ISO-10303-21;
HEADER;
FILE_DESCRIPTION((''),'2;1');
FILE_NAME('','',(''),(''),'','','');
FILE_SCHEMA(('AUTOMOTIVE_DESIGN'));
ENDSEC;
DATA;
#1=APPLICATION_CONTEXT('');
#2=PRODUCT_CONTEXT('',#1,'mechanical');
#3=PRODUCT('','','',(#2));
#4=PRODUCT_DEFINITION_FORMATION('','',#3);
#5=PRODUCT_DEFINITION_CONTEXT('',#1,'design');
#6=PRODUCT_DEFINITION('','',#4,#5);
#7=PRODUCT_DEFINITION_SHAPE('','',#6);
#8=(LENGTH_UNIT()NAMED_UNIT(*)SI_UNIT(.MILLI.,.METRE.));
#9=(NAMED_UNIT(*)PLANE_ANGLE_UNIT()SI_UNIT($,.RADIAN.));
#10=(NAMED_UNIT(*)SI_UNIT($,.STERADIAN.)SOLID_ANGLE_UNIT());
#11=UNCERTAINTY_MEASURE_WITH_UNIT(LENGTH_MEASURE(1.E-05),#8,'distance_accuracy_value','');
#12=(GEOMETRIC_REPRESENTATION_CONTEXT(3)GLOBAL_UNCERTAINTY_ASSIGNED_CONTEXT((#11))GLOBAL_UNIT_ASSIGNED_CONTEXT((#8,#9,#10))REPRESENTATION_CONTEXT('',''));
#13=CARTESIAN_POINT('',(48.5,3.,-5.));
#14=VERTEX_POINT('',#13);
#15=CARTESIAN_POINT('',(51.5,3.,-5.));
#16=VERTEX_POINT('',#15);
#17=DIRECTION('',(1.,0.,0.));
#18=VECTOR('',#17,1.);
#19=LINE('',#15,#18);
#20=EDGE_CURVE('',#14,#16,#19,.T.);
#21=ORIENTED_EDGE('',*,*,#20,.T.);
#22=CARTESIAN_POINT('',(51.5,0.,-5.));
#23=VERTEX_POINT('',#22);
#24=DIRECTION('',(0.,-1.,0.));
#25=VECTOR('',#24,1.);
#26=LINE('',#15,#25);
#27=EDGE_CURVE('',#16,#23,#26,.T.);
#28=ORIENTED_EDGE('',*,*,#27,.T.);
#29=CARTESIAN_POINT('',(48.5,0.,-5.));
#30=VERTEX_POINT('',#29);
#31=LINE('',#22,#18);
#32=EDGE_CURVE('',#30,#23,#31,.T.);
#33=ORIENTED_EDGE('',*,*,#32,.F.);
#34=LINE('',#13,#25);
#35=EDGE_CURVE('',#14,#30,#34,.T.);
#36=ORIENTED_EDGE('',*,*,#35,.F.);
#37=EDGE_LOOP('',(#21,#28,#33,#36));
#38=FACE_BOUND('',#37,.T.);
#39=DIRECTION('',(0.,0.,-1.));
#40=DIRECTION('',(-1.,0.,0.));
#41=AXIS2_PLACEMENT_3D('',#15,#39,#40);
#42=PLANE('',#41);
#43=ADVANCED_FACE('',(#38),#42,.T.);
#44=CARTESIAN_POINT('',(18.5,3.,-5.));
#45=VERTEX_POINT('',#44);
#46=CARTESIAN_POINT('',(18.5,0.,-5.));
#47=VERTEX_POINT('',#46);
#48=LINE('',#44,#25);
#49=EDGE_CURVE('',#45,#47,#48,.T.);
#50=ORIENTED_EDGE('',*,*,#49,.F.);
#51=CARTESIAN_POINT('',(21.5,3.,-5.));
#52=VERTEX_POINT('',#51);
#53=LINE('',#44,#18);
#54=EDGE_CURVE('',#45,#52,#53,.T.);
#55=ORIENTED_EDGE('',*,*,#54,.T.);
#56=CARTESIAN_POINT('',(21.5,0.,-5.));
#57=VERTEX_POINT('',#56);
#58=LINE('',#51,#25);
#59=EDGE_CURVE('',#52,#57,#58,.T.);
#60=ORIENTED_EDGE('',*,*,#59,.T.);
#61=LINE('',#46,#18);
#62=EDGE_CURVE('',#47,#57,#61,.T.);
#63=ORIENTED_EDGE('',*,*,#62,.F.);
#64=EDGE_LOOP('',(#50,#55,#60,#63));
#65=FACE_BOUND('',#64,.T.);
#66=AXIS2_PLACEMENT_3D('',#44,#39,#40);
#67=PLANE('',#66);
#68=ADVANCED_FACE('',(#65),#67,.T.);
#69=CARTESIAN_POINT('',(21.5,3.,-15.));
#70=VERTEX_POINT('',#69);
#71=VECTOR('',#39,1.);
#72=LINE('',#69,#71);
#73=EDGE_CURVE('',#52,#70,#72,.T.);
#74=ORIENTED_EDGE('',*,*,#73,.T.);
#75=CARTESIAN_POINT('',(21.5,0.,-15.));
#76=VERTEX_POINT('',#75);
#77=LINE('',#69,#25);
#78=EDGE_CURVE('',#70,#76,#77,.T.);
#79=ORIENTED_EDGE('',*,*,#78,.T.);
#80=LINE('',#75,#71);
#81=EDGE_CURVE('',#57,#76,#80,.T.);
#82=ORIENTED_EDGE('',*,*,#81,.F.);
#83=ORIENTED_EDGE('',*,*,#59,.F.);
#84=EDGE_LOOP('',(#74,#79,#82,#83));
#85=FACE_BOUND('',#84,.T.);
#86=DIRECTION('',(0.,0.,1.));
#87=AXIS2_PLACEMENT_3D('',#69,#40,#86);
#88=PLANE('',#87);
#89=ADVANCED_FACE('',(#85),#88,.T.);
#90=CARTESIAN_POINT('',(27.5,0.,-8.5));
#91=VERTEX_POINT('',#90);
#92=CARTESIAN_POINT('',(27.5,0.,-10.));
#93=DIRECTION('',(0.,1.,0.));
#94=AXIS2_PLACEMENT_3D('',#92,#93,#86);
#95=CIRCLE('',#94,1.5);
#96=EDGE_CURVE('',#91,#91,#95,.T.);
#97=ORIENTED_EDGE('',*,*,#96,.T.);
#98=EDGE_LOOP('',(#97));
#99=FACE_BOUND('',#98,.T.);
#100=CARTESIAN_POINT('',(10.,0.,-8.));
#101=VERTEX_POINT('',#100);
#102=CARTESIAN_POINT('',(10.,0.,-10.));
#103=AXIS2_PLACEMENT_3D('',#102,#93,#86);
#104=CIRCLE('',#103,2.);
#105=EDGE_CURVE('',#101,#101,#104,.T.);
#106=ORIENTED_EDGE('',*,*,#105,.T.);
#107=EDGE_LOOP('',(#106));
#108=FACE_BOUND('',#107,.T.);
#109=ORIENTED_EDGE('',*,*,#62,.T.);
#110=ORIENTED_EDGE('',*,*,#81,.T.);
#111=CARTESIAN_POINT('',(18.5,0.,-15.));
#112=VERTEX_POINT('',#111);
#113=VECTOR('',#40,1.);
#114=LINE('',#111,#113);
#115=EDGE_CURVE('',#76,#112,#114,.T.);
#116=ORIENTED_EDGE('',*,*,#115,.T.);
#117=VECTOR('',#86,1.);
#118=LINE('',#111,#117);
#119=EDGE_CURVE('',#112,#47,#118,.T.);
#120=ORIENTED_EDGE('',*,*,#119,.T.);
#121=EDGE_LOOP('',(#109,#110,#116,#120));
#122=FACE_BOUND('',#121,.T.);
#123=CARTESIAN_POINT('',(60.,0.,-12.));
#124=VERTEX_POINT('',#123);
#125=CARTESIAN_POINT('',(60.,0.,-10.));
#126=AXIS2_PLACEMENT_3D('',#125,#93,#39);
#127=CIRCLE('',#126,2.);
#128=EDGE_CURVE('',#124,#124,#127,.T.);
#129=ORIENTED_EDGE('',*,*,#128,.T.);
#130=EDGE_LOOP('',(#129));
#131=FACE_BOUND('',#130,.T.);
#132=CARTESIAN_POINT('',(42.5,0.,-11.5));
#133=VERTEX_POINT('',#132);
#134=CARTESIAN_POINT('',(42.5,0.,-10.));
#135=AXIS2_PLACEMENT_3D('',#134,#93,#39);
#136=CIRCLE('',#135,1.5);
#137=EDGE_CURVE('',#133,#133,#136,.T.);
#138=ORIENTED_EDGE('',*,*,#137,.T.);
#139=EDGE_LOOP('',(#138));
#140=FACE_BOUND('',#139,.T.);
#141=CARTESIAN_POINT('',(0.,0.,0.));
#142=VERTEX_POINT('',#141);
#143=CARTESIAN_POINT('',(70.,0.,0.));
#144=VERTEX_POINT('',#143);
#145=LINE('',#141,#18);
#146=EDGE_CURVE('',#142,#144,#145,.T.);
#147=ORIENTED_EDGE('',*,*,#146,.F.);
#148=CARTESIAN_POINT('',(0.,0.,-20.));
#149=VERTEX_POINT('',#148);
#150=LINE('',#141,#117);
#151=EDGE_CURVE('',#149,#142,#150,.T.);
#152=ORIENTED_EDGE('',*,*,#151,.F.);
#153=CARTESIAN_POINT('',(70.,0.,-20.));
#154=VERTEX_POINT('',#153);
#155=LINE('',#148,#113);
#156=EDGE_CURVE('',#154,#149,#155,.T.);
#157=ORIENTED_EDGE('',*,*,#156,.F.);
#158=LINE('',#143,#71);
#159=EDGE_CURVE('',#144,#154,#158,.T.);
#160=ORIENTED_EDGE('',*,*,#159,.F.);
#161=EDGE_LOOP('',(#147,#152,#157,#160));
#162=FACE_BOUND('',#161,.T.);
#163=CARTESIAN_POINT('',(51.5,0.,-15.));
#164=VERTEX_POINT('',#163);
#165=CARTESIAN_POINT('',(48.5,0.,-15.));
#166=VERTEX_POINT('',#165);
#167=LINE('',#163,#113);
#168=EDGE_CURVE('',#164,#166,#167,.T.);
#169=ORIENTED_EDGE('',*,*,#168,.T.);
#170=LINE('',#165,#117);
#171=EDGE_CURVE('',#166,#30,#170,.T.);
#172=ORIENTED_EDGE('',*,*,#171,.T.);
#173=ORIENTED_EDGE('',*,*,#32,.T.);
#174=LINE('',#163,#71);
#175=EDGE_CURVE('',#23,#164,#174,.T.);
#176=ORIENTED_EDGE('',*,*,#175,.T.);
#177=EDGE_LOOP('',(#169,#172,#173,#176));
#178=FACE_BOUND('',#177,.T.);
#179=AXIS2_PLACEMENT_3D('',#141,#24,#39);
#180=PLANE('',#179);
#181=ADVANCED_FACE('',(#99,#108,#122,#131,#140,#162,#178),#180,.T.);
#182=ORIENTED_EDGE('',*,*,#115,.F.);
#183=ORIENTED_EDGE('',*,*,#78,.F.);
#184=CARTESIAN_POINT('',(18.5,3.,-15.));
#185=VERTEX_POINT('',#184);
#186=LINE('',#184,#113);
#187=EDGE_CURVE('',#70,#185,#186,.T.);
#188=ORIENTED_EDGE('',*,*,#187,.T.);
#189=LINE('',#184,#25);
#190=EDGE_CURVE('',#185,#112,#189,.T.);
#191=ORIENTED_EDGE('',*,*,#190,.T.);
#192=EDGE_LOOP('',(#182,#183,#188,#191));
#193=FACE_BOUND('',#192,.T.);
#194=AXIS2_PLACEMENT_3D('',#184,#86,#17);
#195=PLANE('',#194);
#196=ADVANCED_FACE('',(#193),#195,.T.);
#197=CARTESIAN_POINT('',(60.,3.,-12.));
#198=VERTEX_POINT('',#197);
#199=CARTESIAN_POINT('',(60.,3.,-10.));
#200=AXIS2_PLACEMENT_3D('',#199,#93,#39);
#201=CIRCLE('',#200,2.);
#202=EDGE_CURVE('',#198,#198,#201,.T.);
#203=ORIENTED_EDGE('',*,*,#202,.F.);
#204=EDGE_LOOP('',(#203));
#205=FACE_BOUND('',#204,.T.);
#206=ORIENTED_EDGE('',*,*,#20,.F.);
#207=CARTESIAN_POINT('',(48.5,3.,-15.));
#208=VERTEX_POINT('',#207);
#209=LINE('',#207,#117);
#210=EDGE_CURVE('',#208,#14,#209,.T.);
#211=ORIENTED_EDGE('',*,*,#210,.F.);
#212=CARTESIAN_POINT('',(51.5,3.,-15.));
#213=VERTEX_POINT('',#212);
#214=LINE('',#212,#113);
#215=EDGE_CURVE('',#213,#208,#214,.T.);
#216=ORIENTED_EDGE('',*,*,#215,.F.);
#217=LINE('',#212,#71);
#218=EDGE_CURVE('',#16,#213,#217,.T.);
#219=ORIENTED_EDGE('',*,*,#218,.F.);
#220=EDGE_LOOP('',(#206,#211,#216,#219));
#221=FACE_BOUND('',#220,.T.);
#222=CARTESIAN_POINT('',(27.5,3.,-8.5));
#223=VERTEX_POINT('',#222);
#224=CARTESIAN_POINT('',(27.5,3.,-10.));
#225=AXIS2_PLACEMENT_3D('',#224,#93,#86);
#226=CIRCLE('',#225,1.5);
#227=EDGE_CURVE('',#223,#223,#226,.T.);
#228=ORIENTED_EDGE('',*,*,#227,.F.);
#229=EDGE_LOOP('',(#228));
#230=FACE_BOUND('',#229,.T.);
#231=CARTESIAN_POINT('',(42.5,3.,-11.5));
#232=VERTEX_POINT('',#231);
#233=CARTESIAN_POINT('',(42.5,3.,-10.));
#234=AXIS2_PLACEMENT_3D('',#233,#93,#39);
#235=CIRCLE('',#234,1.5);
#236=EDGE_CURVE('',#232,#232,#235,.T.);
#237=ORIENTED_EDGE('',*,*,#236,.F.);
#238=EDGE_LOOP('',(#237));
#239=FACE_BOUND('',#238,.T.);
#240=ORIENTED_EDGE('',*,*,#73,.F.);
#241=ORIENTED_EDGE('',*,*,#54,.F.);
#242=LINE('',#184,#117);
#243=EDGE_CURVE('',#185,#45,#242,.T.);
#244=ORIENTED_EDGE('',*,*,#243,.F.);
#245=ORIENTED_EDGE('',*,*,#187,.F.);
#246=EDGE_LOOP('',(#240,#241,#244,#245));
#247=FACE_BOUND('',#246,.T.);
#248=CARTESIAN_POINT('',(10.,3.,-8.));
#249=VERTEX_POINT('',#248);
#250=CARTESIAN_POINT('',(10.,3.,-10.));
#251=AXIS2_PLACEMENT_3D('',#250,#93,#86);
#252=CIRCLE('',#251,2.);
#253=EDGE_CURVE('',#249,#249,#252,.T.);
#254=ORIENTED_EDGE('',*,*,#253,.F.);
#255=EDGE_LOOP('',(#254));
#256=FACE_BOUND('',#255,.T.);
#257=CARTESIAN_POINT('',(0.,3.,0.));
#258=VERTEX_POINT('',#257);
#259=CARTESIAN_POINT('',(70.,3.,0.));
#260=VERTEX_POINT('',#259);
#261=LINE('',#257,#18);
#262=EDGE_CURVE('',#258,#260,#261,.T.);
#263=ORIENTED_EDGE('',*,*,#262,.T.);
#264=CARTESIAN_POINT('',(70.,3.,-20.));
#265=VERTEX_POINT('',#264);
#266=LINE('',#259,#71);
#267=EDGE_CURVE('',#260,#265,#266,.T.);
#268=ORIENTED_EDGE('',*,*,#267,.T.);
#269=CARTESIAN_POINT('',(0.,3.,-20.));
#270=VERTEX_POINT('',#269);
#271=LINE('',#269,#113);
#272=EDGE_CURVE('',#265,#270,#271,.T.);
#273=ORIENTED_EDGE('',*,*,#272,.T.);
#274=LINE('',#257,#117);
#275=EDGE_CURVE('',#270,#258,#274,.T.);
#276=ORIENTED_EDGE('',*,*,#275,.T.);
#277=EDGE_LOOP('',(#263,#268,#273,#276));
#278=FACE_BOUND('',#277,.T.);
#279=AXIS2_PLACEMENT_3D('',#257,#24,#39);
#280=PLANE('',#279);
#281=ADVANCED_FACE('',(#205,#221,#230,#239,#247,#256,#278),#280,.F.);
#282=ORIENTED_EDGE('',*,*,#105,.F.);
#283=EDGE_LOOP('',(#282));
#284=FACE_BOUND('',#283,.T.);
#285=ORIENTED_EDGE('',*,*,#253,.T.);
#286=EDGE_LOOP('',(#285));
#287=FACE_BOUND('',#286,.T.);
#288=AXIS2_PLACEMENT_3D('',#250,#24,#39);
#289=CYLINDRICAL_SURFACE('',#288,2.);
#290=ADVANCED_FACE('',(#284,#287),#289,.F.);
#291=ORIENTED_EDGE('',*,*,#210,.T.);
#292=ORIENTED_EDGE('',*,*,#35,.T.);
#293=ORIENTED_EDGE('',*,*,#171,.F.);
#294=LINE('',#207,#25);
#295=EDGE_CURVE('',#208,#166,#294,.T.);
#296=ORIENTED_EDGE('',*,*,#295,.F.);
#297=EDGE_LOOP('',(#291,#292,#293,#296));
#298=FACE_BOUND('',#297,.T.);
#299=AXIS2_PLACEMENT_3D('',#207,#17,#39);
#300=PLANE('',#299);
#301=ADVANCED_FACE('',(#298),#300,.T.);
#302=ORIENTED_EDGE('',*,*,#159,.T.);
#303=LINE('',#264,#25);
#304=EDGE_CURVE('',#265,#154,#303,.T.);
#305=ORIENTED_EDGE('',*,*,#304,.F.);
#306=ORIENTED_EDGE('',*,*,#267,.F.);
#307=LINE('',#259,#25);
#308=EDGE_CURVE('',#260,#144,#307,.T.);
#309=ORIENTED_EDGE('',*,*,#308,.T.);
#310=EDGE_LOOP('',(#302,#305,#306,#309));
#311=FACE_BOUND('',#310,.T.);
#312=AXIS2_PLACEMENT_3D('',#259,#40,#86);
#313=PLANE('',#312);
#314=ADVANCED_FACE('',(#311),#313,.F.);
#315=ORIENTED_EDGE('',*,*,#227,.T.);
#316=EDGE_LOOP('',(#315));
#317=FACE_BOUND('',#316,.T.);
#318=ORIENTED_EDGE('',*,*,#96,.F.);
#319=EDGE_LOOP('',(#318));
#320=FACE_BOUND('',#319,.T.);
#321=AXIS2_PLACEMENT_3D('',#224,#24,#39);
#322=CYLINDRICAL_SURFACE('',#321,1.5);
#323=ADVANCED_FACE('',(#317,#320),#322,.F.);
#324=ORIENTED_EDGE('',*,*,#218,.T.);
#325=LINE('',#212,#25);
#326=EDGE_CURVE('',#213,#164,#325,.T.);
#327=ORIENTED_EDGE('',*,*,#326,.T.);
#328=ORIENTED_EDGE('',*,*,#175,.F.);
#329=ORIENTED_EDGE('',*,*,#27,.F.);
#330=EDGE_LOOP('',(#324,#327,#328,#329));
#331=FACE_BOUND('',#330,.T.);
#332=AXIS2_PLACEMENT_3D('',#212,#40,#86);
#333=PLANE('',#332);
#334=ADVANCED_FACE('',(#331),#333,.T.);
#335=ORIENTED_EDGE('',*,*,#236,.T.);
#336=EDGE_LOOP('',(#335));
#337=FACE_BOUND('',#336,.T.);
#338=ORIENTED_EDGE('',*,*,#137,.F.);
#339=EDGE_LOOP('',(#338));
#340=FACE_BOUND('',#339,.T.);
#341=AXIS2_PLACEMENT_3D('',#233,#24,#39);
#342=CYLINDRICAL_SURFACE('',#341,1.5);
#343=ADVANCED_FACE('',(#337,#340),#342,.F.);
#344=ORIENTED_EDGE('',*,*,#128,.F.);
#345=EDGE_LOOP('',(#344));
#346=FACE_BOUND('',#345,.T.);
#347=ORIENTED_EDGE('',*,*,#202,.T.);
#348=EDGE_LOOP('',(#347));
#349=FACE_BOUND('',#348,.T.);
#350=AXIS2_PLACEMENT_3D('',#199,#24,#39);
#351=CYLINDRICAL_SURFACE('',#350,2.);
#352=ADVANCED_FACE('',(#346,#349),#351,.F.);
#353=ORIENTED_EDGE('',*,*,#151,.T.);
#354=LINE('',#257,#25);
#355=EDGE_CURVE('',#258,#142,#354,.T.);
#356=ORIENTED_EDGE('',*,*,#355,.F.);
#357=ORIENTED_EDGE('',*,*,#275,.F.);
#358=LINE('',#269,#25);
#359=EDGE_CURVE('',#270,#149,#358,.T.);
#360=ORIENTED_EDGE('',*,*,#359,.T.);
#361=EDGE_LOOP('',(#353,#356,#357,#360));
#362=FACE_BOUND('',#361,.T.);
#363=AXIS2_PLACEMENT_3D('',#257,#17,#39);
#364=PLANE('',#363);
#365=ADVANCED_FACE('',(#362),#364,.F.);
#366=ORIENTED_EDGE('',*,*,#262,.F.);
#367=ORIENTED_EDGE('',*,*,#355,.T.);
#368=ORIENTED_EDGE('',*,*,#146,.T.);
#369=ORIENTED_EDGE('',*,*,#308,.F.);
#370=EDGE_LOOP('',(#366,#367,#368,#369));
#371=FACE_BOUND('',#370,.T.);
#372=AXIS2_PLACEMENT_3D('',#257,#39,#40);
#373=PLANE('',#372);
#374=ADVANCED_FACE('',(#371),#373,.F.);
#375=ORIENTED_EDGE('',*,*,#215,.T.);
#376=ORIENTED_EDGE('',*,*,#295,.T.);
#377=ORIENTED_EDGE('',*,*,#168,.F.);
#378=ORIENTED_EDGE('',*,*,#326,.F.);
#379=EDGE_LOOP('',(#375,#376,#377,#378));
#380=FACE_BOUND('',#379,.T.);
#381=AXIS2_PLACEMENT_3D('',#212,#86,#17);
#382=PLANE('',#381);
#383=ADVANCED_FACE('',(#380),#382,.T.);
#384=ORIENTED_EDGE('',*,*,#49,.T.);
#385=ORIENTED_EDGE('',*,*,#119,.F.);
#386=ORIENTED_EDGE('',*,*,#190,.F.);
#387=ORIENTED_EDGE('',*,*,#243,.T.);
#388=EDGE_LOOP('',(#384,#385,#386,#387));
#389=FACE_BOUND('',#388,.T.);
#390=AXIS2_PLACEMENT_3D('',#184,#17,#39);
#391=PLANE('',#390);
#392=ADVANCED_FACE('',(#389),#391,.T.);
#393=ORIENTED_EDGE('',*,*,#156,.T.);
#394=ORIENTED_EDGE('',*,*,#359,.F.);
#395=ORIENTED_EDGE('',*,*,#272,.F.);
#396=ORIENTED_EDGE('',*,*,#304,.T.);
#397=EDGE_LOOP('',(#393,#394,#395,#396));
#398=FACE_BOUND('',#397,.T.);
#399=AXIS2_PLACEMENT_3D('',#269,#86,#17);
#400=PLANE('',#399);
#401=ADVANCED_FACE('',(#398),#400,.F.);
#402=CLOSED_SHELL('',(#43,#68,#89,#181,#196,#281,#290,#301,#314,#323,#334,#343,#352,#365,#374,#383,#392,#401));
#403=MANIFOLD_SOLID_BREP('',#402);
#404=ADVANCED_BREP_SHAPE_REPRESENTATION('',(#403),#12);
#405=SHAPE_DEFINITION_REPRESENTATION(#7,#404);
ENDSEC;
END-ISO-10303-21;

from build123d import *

# Parameters (mm, degrees)
SKETCH1_W           = 70
SKETCH1_H           = 20
SKETCH1_R           = 2
SKETCH1_R_2         = 1.5
SKETCH1_W_2         = 3
SKETCH1_H_2         = 10
BOSS_EXTRUDE1_DEPTH = 3


with BuildPart() as part:
    # Sketch1 → Boss-Extrude1 (new body)
    with BuildSketch(Plane(origin=(0, 0, 0), x_dir=(1, 0, 0), z_dir=(0, 1, 0))):
        with Locations((35, 10)):
            Rectangle(SKETCH1_W, SKETCH1_H)
        with Locations(Location((10, 10, 0), (0, 0, 270))):
            Circle(SKETCH1_R, mode=Mode.SUBTRACT)
        with Locations(Location((27.5, 10, 0), (0, 0, 270))):
            Circle(SKETCH1_R_2, mode=Mode.SUBTRACT)
        with Locations(Location((60, 10, 0), (0, 0, 90))):
            Circle(SKETCH1_R, mode=Mode.SUBTRACT)
        with Locations(Location((42.5, 10, 0), (0, 0, 90))):
            Circle(SKETCH1_R_2, mode=Mode.SUBTRACT)
        with Locations((20, 10)):
            Rectangle(SKETCH1_W_2, SKETCH1_H_2, mode=Mode.SUBTRACT)
        with Locations((50, 10)):
            Rectangle(SKETCH1_W_2, SKETCH1_H_2, mode=Mode.SUBTRACT)
    extrude(amount=BOSS_EXTRUDE1_DEPTH)


solid = part.part
